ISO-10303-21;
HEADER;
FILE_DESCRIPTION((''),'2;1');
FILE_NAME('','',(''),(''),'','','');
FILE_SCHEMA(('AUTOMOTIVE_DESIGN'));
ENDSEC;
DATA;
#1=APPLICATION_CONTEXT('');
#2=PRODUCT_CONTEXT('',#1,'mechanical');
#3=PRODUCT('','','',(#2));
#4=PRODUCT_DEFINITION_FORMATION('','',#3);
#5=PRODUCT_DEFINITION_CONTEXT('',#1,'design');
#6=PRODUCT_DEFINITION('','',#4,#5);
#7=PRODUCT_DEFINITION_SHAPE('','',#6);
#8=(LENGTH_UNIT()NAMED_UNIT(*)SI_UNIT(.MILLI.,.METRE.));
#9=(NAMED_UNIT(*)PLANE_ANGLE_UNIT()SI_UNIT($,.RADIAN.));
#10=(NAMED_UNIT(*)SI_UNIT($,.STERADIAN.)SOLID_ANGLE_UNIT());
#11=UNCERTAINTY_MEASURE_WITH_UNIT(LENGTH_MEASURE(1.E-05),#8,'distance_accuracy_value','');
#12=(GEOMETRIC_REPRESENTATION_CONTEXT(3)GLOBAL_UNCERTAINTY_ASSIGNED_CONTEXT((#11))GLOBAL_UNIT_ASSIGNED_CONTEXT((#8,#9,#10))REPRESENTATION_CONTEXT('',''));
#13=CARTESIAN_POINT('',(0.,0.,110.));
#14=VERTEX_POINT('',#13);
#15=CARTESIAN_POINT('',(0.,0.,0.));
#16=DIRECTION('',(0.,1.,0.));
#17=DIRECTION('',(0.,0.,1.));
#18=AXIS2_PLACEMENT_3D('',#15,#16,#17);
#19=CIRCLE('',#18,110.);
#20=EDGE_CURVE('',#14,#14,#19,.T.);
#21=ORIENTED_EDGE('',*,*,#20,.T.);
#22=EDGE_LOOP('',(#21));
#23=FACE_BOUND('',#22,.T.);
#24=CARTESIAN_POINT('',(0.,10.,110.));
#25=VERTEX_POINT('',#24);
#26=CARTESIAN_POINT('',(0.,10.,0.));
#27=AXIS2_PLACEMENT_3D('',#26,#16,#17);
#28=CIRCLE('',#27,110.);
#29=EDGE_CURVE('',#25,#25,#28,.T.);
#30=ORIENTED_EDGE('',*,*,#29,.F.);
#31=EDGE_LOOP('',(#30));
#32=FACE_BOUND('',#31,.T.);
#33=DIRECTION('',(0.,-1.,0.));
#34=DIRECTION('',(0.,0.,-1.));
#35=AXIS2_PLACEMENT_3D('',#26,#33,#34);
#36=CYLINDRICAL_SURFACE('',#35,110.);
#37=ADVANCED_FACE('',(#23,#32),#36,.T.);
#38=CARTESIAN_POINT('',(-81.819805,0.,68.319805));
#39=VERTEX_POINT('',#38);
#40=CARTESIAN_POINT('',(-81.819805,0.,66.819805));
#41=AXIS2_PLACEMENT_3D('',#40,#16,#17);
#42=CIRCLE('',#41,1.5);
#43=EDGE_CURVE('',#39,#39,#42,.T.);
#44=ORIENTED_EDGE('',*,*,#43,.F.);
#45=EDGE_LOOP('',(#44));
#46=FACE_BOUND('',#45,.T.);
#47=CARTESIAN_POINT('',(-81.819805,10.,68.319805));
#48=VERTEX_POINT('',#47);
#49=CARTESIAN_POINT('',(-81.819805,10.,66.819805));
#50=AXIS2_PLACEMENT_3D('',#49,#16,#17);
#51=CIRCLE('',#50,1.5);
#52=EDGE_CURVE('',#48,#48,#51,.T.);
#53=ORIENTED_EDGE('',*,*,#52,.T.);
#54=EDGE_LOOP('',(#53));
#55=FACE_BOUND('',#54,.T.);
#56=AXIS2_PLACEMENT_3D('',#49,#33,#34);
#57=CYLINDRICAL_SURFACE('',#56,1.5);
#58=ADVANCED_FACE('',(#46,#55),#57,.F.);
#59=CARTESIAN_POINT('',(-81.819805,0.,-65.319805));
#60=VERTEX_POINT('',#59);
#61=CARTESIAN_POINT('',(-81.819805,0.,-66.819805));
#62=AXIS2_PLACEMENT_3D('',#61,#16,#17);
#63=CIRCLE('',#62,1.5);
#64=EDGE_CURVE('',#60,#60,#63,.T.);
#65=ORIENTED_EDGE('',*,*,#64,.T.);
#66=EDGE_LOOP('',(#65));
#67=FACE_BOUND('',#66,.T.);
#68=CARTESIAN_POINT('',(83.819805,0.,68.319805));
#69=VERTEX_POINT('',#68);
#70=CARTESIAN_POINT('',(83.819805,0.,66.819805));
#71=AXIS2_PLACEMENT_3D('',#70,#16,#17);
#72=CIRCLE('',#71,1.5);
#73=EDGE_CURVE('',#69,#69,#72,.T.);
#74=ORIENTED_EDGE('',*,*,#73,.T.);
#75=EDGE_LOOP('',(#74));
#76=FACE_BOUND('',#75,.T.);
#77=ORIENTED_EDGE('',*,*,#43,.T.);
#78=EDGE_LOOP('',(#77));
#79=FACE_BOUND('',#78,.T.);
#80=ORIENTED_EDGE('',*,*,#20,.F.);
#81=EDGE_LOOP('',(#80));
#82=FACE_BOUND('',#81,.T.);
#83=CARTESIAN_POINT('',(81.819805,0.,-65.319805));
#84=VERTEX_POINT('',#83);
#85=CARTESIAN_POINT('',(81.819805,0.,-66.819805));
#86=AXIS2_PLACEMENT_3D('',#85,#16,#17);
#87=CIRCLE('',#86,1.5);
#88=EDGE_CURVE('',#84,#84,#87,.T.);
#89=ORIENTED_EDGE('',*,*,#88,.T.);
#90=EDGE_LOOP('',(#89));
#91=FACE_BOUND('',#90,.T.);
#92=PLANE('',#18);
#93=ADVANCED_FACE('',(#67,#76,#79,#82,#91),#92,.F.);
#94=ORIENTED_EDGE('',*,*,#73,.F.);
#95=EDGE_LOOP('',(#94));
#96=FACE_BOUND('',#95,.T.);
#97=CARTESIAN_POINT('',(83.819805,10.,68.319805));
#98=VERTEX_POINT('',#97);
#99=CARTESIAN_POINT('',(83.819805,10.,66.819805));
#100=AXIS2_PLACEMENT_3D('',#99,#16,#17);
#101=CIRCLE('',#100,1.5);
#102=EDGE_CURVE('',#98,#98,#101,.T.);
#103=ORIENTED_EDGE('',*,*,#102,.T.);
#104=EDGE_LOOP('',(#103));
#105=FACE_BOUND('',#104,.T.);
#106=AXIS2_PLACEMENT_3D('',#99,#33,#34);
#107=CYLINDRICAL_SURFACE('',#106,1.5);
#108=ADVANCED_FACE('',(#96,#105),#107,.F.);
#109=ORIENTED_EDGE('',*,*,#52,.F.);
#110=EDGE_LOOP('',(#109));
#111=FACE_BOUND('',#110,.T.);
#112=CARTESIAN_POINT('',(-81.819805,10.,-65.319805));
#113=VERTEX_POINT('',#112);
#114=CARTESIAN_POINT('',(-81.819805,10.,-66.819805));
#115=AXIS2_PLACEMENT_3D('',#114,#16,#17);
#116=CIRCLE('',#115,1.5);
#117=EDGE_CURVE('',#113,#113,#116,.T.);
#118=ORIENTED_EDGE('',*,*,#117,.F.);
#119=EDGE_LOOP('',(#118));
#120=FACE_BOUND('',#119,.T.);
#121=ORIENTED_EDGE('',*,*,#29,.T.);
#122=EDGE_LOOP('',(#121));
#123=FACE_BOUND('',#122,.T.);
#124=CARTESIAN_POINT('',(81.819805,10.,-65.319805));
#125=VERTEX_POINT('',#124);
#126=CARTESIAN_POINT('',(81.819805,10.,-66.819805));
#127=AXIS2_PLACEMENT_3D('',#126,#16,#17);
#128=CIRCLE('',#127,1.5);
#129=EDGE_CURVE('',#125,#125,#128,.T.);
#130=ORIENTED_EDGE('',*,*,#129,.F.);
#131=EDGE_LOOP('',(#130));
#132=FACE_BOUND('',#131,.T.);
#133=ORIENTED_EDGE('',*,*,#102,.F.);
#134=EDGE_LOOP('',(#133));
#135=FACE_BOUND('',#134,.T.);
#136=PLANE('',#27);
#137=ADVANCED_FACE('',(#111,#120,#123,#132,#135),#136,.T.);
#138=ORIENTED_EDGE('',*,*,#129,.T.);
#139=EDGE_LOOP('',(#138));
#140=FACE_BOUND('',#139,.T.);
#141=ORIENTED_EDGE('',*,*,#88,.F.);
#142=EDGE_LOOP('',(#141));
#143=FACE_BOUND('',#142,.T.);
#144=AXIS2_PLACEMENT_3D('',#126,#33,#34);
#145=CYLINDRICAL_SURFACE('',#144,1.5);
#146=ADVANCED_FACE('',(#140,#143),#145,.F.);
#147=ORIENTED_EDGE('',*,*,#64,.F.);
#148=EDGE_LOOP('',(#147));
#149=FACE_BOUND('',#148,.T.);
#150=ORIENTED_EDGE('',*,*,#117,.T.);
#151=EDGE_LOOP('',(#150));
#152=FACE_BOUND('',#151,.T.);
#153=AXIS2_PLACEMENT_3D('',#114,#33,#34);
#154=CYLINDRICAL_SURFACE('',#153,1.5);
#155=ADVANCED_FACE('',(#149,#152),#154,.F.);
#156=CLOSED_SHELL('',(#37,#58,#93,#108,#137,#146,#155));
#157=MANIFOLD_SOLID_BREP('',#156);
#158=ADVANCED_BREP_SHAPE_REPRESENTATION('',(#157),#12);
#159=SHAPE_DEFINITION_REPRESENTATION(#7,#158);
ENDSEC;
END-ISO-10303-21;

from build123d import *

# Parameters (mm, degrees)
SKETCH_1_R      = 110
SKETCH_1_R_2    = 1.5
EXTRUDE_1_DEPTH = 10


with BuildPart() as part:
    # 草图1 → 凸台-拉伸1 (new body)
    with BuildSketch(Plane(origin=(0, 0, 0), x_dir=(1, 0, 0), z_dir=(0, 1, 0))):
        with Locations(Location((0, 0, 0), (0, 0, 270))):
            Circle(SKETCH_1_R)
        with Locations(Location((-81.819805153, -66.819805153, 0), (0, 0, 270))):
            Circle(SKETCH_1_R_2, mode=Mode.SUBTRACT)
        with Locations(Location((83.819805153, -66.819805153, 0), (0, 0, 270))):
            Circle(SKETCH_1_R_2, mode=Mode.SUBTRACT)
        with Locations(Location((-81.819805153, 66.819805153, 0), (0, 0, 270))):
            Circle(SKETCH_1_R_2, mode=Mode.SUBTRACT)
        with Locations(Location((81.819805153, 66.819805153, 0), (0, 0, 270))):
            Circle(SKETCH_1_R_2, mode=Mode.SUBTRACT)
    extrude(amount=EXTRUDE_1_DEPTH)


solid = part.part
